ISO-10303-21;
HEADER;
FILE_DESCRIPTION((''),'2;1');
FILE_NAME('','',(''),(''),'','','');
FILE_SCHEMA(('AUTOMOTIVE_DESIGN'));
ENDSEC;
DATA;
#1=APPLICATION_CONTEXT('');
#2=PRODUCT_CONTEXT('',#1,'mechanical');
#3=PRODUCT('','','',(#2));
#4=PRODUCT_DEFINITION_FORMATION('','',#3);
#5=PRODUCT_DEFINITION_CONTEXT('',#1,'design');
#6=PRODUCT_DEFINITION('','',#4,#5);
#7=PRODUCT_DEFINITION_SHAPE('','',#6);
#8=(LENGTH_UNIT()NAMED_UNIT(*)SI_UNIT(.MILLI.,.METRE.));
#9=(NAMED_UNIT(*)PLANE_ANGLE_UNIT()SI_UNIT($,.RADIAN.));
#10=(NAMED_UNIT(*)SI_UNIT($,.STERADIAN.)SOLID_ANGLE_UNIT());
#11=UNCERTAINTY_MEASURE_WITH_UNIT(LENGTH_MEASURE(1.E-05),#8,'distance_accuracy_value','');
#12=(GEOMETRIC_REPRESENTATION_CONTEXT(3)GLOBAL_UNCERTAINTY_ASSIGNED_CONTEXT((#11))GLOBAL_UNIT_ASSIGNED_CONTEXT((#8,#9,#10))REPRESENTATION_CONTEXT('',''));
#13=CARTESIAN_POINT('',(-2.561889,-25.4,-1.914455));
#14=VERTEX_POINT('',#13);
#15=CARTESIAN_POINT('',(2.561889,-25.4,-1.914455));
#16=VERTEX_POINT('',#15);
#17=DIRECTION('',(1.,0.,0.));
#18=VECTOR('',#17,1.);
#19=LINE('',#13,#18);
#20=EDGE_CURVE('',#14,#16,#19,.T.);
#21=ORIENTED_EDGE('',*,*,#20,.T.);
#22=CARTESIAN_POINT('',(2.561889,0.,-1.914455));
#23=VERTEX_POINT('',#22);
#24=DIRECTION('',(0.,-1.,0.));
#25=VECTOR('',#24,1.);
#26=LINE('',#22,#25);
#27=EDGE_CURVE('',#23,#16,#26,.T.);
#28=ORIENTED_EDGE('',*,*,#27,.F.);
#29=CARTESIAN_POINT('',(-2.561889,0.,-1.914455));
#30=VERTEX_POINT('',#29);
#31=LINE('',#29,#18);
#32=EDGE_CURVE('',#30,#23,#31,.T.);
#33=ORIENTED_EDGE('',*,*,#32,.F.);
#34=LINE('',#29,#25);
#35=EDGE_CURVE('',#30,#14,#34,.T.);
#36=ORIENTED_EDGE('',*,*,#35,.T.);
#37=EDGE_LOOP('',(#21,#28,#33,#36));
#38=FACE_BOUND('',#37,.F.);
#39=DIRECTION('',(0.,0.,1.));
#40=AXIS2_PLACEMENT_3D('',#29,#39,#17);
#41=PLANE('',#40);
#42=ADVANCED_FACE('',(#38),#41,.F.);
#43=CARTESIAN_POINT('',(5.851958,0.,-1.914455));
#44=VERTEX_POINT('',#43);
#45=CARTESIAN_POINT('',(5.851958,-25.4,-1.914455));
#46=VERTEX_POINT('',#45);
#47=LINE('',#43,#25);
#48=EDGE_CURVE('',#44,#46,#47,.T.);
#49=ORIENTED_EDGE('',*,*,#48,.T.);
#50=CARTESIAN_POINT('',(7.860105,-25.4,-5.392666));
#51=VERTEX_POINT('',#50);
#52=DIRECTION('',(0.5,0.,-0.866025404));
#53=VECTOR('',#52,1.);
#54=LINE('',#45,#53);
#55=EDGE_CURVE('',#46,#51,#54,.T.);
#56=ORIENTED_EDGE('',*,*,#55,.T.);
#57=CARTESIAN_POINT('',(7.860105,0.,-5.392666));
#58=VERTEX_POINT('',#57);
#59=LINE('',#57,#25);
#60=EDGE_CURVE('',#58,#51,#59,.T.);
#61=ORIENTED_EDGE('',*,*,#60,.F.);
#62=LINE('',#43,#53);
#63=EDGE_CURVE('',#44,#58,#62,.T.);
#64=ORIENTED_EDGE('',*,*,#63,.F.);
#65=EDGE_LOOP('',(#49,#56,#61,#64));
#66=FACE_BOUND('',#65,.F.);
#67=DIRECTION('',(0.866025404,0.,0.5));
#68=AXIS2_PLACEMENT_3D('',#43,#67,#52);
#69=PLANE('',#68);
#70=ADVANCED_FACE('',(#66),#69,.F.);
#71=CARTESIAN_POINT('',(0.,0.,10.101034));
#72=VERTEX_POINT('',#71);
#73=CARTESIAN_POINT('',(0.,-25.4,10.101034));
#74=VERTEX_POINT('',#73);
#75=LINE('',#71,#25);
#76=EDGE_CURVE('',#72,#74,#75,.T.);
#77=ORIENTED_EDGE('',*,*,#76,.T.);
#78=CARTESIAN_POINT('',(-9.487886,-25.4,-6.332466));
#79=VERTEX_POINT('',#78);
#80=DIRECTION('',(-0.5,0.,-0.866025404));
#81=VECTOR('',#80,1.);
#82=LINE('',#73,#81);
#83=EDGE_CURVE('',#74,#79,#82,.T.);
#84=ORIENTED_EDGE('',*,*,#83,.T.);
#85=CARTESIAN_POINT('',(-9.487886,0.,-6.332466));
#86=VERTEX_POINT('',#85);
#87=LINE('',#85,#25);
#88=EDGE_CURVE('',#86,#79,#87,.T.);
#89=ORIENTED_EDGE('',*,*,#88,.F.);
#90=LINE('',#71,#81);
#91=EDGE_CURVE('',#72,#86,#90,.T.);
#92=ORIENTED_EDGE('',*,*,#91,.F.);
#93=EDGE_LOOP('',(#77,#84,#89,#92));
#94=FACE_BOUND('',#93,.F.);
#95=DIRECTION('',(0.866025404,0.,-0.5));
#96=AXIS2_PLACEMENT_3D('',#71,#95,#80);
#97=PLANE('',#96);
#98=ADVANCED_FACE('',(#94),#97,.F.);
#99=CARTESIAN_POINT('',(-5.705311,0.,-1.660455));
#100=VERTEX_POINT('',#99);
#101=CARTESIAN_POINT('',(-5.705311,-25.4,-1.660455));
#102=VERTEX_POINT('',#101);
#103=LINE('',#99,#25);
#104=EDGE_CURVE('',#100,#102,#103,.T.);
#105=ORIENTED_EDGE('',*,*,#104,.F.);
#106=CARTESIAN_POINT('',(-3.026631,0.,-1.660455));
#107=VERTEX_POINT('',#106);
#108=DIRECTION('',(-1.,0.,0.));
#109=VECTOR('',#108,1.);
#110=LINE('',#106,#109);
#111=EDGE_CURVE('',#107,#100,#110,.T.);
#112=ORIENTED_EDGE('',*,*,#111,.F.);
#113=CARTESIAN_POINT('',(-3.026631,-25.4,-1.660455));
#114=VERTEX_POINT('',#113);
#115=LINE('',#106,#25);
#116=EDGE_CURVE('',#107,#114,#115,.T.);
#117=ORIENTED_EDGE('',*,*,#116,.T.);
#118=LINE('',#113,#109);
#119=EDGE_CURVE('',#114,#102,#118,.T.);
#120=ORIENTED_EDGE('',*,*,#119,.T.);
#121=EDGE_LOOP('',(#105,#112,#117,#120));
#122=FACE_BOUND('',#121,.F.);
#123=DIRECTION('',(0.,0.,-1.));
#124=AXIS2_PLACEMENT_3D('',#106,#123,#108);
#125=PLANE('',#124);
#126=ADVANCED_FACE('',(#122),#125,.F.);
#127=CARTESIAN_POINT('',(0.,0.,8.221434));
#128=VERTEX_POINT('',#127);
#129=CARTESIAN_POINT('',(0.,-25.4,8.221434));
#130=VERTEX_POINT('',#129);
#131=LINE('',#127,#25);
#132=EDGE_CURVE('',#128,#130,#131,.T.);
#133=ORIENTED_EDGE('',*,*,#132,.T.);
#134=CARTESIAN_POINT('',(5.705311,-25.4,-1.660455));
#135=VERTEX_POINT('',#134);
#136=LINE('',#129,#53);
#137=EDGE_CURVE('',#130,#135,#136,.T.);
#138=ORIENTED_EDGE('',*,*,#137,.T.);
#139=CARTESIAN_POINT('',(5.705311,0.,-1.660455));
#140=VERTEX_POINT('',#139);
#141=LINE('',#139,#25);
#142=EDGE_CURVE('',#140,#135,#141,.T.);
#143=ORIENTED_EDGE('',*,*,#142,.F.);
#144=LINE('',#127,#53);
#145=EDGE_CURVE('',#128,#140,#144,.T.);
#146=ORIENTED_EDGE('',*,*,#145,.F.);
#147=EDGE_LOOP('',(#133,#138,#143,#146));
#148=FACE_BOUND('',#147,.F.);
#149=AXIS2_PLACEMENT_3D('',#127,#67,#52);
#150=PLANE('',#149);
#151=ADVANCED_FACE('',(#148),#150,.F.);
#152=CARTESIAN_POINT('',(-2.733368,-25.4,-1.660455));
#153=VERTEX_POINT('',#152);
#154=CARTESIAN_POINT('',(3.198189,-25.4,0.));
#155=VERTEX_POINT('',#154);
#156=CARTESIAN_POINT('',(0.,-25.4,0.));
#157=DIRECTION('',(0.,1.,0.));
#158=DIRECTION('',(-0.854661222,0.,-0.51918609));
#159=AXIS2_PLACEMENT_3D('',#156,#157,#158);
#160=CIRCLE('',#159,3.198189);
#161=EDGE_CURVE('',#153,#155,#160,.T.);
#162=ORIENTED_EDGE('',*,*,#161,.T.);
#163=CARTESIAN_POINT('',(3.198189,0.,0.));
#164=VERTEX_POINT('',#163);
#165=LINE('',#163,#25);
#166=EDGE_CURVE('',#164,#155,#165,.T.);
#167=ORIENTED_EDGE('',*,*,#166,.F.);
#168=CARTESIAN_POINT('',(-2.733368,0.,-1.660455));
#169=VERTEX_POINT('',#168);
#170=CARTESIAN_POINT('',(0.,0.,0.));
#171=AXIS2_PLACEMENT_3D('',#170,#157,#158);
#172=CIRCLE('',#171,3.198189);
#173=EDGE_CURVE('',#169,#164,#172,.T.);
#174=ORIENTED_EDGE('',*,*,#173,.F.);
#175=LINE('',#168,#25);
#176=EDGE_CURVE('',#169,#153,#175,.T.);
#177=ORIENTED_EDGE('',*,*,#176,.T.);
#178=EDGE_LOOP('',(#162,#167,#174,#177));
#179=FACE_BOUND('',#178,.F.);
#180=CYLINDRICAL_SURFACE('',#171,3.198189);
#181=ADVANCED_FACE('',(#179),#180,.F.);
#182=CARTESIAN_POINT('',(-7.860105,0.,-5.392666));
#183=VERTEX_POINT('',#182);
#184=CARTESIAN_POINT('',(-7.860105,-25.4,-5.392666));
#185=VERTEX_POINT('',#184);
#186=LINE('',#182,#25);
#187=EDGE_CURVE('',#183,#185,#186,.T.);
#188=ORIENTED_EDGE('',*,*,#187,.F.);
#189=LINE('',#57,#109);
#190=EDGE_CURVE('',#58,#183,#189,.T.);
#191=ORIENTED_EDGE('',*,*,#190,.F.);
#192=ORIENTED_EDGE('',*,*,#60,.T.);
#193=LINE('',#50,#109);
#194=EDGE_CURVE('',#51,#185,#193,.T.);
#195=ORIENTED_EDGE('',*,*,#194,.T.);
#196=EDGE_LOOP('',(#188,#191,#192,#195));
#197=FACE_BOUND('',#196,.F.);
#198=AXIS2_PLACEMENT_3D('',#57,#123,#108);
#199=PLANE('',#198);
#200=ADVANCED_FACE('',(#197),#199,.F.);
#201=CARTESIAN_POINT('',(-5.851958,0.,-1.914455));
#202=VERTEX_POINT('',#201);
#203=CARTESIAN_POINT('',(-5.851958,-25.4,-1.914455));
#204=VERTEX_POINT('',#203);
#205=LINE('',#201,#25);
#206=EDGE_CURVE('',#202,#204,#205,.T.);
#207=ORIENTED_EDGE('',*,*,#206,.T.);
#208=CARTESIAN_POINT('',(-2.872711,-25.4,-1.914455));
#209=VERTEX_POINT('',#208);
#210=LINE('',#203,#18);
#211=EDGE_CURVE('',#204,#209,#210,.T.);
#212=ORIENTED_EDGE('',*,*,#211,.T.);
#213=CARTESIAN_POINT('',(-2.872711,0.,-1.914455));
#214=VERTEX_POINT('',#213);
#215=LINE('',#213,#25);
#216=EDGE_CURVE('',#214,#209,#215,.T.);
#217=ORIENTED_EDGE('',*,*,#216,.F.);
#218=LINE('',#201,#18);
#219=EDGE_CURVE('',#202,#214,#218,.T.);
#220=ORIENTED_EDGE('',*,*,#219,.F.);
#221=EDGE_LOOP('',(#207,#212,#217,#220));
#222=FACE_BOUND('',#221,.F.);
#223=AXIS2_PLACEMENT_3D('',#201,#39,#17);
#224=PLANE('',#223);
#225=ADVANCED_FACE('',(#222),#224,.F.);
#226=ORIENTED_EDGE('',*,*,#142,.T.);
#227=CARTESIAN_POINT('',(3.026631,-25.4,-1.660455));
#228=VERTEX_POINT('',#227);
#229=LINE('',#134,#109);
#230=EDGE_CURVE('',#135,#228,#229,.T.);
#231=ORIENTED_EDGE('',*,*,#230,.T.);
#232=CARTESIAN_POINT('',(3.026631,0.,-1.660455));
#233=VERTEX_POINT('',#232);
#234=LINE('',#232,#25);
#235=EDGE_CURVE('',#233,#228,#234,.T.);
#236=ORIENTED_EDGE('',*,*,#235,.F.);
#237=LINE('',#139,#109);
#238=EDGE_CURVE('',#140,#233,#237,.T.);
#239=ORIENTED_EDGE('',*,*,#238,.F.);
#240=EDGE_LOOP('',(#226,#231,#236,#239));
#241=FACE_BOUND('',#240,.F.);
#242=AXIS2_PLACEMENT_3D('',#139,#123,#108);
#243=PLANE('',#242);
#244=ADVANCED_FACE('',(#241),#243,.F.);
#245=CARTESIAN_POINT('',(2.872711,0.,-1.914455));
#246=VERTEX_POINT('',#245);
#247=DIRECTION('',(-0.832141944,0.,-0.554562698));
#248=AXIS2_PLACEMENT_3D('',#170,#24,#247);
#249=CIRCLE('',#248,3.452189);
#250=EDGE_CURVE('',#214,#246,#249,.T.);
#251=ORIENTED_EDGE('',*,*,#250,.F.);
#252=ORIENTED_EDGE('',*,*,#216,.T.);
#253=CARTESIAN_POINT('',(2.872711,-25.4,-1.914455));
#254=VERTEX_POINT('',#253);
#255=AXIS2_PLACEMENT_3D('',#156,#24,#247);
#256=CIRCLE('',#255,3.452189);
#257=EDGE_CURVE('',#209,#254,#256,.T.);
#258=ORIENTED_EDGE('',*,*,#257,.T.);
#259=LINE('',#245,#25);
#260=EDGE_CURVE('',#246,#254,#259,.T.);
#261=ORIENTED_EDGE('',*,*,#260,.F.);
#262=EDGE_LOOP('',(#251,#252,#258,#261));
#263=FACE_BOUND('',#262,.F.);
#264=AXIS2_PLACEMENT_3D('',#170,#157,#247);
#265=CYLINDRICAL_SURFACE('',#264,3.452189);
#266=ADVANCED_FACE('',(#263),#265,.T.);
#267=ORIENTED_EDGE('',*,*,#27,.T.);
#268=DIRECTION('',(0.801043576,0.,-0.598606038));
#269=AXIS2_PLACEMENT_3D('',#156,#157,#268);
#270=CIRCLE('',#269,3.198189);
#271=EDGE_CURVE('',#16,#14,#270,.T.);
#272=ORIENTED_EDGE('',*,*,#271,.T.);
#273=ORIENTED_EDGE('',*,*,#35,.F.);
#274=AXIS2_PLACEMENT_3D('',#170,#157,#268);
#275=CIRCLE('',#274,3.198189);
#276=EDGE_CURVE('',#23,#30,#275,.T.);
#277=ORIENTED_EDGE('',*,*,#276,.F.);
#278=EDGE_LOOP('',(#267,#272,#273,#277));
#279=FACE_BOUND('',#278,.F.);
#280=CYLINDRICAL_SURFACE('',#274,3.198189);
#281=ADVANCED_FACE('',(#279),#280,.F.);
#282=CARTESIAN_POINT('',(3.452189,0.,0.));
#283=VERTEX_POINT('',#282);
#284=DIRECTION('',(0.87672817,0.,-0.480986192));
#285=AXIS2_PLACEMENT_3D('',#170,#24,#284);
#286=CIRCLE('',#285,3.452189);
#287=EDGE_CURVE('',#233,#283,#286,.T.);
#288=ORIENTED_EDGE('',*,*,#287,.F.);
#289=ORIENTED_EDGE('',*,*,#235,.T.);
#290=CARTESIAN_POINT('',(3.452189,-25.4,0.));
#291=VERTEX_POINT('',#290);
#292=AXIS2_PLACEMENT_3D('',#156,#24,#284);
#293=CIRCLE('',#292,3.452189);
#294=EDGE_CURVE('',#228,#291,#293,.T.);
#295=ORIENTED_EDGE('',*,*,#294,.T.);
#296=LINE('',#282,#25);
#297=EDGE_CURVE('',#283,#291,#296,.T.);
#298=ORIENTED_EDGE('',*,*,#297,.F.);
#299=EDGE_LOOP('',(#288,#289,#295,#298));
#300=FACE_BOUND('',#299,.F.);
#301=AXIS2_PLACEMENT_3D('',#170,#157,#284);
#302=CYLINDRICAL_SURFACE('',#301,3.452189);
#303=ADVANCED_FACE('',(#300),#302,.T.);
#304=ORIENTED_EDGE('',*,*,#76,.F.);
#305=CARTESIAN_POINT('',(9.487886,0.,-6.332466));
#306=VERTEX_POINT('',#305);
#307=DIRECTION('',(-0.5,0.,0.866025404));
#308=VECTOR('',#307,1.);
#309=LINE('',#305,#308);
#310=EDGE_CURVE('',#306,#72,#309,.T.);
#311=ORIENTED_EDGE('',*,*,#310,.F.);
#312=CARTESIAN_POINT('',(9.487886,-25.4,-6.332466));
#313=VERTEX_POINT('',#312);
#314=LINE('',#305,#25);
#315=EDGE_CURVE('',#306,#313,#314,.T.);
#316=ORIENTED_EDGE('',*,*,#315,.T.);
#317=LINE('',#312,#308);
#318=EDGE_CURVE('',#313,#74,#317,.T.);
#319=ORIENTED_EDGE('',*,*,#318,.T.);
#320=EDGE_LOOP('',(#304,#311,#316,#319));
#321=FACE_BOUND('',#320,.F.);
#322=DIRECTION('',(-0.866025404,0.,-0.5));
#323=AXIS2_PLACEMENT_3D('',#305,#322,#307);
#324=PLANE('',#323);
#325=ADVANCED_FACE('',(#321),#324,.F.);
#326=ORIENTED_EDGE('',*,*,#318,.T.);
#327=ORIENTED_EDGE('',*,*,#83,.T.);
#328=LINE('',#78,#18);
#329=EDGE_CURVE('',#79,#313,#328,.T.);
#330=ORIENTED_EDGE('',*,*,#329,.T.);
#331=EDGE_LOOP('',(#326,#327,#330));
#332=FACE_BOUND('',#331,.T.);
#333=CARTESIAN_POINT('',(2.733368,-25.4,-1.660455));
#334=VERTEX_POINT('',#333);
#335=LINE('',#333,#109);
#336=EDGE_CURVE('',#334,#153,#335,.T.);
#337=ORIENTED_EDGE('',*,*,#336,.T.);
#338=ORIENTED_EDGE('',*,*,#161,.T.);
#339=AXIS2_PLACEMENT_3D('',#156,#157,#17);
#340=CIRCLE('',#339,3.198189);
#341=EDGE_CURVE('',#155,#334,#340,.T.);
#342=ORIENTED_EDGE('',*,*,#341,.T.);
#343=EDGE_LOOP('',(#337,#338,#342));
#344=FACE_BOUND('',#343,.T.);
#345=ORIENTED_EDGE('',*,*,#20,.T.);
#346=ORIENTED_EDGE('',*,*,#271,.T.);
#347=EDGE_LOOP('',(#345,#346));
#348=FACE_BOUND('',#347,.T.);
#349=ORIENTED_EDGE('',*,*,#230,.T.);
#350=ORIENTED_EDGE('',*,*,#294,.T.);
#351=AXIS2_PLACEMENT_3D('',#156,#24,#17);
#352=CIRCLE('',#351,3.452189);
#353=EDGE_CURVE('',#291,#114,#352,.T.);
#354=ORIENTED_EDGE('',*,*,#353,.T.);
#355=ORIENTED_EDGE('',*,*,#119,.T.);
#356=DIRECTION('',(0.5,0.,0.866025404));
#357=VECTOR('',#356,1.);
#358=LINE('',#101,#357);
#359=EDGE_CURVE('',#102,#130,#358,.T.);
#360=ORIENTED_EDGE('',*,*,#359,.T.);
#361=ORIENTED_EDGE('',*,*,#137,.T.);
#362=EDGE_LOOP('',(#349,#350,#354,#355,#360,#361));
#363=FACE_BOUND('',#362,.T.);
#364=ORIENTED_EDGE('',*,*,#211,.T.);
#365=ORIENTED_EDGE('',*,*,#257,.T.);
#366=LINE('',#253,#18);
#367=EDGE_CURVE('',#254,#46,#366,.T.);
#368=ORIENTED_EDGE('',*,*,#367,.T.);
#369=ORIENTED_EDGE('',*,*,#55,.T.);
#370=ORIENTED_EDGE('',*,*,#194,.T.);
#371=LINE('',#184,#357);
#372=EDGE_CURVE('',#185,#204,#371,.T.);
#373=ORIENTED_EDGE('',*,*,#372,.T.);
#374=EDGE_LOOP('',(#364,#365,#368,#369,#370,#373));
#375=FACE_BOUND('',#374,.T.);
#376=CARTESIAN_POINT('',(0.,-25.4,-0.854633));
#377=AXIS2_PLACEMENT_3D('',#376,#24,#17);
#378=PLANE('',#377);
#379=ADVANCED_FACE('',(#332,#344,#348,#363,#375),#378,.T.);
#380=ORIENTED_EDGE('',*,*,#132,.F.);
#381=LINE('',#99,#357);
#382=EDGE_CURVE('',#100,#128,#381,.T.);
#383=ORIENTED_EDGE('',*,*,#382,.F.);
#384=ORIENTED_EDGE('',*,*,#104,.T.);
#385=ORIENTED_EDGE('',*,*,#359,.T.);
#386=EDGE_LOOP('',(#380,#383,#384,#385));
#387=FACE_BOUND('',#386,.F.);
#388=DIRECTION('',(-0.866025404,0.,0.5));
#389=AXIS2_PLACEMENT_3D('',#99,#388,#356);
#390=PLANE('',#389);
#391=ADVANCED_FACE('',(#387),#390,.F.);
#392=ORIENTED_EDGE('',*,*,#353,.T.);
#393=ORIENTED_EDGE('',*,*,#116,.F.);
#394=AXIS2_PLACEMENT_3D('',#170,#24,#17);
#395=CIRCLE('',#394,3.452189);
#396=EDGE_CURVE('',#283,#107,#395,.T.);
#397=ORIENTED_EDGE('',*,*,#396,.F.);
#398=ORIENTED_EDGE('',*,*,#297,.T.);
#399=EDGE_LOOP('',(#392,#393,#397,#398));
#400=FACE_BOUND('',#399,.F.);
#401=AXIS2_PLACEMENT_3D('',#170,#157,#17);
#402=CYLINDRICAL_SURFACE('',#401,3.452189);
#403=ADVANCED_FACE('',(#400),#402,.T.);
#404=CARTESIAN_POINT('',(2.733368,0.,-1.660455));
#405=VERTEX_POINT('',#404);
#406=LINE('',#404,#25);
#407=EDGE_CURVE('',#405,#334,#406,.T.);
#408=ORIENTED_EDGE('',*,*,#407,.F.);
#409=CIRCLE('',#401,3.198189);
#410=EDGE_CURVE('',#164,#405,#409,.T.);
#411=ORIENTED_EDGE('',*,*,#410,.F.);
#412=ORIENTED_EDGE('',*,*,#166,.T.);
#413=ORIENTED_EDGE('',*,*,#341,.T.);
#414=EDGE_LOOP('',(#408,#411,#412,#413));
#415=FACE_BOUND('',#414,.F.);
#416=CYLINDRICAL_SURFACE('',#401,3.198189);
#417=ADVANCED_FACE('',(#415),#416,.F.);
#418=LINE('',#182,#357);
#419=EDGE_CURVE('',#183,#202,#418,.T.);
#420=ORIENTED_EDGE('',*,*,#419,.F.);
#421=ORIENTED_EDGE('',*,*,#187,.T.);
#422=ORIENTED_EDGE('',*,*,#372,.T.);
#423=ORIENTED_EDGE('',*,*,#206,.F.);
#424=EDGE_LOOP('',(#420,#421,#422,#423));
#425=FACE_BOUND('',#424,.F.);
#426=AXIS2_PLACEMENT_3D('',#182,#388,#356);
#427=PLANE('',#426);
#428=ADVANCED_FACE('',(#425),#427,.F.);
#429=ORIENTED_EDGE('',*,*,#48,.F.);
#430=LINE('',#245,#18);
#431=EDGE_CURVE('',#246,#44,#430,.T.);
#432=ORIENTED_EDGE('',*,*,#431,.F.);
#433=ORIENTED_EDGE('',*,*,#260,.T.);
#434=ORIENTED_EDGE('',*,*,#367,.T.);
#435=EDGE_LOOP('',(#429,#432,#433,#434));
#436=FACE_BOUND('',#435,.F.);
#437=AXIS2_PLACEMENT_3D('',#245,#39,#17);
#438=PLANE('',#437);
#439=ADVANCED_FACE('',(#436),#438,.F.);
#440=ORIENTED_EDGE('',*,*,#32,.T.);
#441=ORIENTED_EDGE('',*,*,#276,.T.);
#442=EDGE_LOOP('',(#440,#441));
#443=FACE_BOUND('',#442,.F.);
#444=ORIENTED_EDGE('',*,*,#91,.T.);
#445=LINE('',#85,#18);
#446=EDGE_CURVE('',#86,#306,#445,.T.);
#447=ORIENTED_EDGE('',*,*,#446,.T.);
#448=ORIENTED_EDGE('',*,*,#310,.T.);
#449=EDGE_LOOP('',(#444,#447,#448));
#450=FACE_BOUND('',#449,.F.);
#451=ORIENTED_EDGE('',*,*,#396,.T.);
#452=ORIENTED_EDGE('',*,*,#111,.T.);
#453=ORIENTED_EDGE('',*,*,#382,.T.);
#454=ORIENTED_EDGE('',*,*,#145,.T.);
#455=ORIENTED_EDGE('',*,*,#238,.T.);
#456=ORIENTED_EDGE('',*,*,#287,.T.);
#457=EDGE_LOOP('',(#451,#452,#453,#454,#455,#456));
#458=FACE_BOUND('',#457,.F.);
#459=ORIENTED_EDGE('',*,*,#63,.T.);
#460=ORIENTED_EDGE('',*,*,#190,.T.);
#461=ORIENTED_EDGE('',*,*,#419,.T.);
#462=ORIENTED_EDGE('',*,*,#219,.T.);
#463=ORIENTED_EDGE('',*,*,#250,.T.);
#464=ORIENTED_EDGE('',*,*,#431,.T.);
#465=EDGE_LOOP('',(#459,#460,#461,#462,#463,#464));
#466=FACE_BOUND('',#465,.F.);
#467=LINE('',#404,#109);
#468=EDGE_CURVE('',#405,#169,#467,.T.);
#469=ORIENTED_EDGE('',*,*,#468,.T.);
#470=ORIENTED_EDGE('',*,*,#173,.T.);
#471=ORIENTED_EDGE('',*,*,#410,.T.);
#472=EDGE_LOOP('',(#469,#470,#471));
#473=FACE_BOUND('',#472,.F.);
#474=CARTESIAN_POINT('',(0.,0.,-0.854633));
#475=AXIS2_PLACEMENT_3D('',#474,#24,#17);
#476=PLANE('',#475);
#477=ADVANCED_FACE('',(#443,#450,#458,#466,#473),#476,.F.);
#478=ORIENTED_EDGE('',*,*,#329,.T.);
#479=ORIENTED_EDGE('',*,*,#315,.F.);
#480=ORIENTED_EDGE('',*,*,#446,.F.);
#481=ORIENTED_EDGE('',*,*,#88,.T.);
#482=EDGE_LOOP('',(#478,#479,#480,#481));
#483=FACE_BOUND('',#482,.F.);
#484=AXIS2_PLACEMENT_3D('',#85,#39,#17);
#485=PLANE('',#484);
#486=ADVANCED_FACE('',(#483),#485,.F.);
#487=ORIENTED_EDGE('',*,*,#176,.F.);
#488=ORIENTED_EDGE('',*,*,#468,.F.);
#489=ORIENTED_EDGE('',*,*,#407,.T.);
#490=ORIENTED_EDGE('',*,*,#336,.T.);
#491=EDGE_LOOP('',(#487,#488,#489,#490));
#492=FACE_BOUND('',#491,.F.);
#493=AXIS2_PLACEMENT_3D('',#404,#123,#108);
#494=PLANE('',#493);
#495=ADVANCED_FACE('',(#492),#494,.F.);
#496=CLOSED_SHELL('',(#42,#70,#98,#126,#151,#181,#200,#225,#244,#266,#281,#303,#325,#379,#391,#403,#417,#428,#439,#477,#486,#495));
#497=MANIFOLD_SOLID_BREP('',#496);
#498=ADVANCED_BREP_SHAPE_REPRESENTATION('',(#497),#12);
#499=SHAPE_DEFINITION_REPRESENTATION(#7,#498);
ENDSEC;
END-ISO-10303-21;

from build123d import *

# Parameters (mm, degrees)
F1_DEPTH = 25.4


with BuildPart() as f1:
    # F0 (on Front) → F1 (new body)
    with BuildSketch(Plane.XZ):
        Polygon((9.48788598, -6.3324664853), (0, 10.1010340885), (-9.48788598, -6.3324664853), align=None)
        Polygon((-6.2788794748, -1.6604552061), (-5.7053113926, -1.6604552061), (0, 8.2214339988), (5.7053113926, -1.6604552061), (6.5799402073, -1.6604552061), (6.5799402073, -1.9144552061), (5.851958361, -1.9144552061), (7.8601045534, -5.3926664405), (-7.8601045534, -5.3926664405), (-5.851958361, -1.9144552061), (-6.2788794748, -1.9144552061), align=None, mode=Mode.SUBTRACT)
        with BuildLine():
            ThreePointArc((-2.7333680587, -1.6604552061), (-0.86214412, 3.079792193), (3.1981889306, 0))
            ThreePointArc((3.1981889306, 0), (3.079792193, -0.86214412), (2.7333680587, -1.6604552061))
            Line((2.7333680587, -1.6604552061), (3.0266312826, -1.6604552061))
            ThreePointArc((3.0266312826, -1.6604552061), (3.3441076107, -0.8570605001), (3.4521889306, 0))
            ThreePointArc((3.4521889306, 0), (-0.8570605001, 3.3441076107), (-3.0266312826, -1.6604552061))
            Line((-3.0266312826, -1.6604552061), (-2.7333680587, -1.6604552061))
        make_face()
        with BuildLine():
            ThreePointArc((2.5618886977, -1.9144552061), (0, -3.1981889306), (-2.5618886977, -1.9144552061))
            Line((-2.5618886977, -1.9144552061), (-2.8727112066, -1.9144552061))
            ThreePointArc((-2.8727112066, -1.9144552061), (0, -3.4521889306), (2.8727112066, -1.9144552061))
            Line((2.8727112066, -1.9144552061), (2.5618886977, -1.9144552061))
        make_face()
        with BuildLine():
            Line((2.7333680587, -1.6604552061), (-2.7333680587, -1.6604552061))
            ThreePointArc((-2.7333680587, -1.6604552061), (-2.6506725616, -1.7895103818), (-2.5618886977, -1.9144552061))
            Line((-2.5618886977, -1.9144552061), (2.5618886977, -1.9144552061))
            ThreePointArc((2.5618886977, -1.9144552061), (2.6506725616, -1.7895103818), (2.7333680587, -1.6604552061))
        make_face()
        with BuildLine():
            ThreePointArc((-2.8727112066, -1.9144552061), (-2.9524040122, -1.7891112211), (-3.0266312826, -1.6604552061))
            Line((-3.0266312826, -1.6604552061), (-5.7053113926, -1.6604552061))
            Line((-5.7053113926, -1.6604552061), (-5.851958361, -1.9144552061))
            Line((-5.851958361, -1.9144552061), (-2.8727112066, -1.9144552061))
        make_face()
        with BuildLine():
            Line((5.7053113926, -1.6604552061), (3.0266312826, -1.6604552061))
            ThreePointArc((3.0266312826, -1.6604552061), (2.9524040122, -1.7891112211), (2.8727112066, -1.9144552061))
            Line((2.8727112066, -1.9144552061), (5.851958361, -1.9144552061))
            Line((5.851958361, -1.9144552061), (5.7053113926, -1.6604552061))
        make_face()
        Polygon((6.5799402073, -1.6604552061), (5.7053113926, -1.6604552061), (5.851958361, -1.9144552061), (6.5799402073, -1.9144552061), align=None)
        Polygon((-5.851958361, -1.9144552061), (-5.7053113926, -1.6604552061), (-6.2788794748, -1.6604552061), (-6.2788794748, -1.9144552061), align=None)
        with BuildLine():
            ThreePointArc((-2.5618886977, -1.9144552061), (-2.6506725616, -1.7895103818), (-2.7333680587, -1.6604552061))
            Line((-2.7333680587, -1.6604552061), (-3.0266312826, -1.6604552061))
            ThreePointArc((-3.0266312826, -1.6604552061), (-2.9524040122, -1.7891112211), (-2.8727112066, -1.9144552061))
            Line((-2.8727112066, -1.9144552061), (-2.5618886977, -1.9144552061))
        make_face()
        with BuildLine():
            Line((3.0266312826, -1.6604552061), (2.7333680587, -1.6604552061))
            ThreePointArc((2.7333680587, -1.6604552061), (2.6506725616, -1.7895103818), (2.5618886977, -1.9144552061))
            Line((2.5618886977, -1.9144552061), (2.8727112066, -1.9144552061))
            ThreePointArc((2.8727112066, -1.9144552061), (2.9524040122, -1.7891112211), (3.0266312826, -1.6604552061))
        make_face()
    extrude(amount=F1_DEPTH)


solid = f1.part
